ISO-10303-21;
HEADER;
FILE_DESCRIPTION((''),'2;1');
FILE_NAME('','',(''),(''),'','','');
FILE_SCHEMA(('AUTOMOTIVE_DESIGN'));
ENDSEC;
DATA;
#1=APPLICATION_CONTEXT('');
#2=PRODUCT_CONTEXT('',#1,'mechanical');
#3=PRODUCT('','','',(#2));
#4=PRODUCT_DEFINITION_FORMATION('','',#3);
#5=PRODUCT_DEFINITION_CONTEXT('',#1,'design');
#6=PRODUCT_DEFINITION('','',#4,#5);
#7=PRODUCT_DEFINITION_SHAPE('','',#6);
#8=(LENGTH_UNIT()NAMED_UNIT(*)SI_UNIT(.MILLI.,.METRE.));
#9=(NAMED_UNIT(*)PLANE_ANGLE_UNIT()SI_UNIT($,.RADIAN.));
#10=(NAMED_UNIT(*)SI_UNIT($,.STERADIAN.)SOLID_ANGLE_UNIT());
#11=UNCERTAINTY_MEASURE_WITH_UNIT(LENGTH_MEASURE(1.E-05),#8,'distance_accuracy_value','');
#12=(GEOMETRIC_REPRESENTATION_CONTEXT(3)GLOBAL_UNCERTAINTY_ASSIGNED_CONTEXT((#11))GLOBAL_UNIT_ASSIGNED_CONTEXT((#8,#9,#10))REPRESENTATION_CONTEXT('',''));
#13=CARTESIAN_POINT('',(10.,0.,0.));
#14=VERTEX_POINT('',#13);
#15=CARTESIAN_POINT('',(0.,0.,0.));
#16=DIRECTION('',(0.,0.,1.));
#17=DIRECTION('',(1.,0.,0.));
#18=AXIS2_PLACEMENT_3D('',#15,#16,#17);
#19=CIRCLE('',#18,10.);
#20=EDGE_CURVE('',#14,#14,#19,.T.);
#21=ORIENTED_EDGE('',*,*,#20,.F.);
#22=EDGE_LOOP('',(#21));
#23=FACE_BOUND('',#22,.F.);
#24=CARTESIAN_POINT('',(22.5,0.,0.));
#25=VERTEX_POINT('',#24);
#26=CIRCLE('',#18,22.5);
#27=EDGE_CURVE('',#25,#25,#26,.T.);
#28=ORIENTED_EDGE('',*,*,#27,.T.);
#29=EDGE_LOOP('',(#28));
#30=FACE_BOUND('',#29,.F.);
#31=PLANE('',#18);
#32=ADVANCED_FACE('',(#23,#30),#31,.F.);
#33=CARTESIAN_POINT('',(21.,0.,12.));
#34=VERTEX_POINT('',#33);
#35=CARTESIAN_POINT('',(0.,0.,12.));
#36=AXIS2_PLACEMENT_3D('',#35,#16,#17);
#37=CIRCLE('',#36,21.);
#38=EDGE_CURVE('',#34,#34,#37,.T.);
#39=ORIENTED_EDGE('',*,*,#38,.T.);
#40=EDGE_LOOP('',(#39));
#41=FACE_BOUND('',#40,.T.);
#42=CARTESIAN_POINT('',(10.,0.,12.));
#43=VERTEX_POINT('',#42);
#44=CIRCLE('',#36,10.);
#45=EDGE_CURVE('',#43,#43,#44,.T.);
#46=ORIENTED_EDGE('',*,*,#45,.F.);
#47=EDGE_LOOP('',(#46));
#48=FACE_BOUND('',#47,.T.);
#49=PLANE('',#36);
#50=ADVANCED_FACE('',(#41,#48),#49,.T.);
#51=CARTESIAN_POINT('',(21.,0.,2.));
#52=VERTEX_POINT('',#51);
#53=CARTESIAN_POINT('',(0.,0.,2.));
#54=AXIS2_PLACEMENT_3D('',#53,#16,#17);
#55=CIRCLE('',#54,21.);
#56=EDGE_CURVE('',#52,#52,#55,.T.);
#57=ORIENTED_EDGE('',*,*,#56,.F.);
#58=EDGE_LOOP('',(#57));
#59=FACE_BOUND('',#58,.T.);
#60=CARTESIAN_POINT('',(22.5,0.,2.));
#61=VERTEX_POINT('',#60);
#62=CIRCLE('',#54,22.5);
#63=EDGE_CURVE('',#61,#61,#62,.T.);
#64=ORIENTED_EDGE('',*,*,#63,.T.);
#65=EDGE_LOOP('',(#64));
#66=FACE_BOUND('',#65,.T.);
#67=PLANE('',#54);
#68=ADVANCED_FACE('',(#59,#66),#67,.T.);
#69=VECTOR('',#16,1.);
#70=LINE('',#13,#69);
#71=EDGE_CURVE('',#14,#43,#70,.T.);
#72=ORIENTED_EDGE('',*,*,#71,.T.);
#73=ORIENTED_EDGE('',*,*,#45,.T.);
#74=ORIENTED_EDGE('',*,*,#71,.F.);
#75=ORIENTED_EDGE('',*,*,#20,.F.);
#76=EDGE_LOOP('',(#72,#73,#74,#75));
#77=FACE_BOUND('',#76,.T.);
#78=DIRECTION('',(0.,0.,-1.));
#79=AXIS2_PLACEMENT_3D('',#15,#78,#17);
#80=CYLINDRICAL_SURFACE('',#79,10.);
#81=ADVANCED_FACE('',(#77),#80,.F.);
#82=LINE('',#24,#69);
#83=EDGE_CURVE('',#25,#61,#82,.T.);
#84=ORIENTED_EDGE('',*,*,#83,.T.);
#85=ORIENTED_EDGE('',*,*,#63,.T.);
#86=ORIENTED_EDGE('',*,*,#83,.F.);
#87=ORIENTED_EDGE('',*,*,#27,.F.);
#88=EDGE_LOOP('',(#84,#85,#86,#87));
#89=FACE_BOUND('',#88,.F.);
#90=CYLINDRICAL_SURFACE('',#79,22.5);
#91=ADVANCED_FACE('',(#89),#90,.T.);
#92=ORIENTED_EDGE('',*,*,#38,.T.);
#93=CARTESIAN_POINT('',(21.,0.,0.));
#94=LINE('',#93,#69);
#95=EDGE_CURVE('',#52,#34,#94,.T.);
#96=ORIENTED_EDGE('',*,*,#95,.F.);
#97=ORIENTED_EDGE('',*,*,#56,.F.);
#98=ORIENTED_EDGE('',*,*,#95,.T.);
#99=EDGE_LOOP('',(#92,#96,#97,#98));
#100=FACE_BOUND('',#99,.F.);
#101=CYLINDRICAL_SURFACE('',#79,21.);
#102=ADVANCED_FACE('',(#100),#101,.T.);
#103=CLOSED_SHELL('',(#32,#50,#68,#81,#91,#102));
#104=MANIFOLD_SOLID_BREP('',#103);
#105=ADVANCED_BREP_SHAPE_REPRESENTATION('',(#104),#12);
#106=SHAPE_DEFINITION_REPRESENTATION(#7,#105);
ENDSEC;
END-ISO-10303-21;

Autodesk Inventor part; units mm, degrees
ref_plane "YZ Plane" through (0, 0, 0) normal (1, 0, 0) x (0, 1, 0)
ref_plane "XZ Plane" through (0, 0, 0) normal (0, 1, 0) x (-1, 0, 0)
ref_plane "XY Plane" through (0, 0, 0) normal (0, 0, 1) x (1, 0, 0)
sketch "Sketch1" plane through (0, 0, 0) normal (0, 0, 1) x (1, 0, 0)
  circle A0 centre (0, 0) radius 10
  circle A1 centre (0, 0) radius 21
  circle A2 centre (0, 0) radius 22.5
  dimension "d0" = 20
  dimension "d1" = 42
  dimension "d3" = 1.5
extrude "Extrusion1" add sketch "Sketch1" along normal blind 12 contours A1
extrude "Extrusion2" add sketch "Sketch1" along normal blind 2 contours A2
properties part number "20mm Bearing" material "Aluminum 6061"
